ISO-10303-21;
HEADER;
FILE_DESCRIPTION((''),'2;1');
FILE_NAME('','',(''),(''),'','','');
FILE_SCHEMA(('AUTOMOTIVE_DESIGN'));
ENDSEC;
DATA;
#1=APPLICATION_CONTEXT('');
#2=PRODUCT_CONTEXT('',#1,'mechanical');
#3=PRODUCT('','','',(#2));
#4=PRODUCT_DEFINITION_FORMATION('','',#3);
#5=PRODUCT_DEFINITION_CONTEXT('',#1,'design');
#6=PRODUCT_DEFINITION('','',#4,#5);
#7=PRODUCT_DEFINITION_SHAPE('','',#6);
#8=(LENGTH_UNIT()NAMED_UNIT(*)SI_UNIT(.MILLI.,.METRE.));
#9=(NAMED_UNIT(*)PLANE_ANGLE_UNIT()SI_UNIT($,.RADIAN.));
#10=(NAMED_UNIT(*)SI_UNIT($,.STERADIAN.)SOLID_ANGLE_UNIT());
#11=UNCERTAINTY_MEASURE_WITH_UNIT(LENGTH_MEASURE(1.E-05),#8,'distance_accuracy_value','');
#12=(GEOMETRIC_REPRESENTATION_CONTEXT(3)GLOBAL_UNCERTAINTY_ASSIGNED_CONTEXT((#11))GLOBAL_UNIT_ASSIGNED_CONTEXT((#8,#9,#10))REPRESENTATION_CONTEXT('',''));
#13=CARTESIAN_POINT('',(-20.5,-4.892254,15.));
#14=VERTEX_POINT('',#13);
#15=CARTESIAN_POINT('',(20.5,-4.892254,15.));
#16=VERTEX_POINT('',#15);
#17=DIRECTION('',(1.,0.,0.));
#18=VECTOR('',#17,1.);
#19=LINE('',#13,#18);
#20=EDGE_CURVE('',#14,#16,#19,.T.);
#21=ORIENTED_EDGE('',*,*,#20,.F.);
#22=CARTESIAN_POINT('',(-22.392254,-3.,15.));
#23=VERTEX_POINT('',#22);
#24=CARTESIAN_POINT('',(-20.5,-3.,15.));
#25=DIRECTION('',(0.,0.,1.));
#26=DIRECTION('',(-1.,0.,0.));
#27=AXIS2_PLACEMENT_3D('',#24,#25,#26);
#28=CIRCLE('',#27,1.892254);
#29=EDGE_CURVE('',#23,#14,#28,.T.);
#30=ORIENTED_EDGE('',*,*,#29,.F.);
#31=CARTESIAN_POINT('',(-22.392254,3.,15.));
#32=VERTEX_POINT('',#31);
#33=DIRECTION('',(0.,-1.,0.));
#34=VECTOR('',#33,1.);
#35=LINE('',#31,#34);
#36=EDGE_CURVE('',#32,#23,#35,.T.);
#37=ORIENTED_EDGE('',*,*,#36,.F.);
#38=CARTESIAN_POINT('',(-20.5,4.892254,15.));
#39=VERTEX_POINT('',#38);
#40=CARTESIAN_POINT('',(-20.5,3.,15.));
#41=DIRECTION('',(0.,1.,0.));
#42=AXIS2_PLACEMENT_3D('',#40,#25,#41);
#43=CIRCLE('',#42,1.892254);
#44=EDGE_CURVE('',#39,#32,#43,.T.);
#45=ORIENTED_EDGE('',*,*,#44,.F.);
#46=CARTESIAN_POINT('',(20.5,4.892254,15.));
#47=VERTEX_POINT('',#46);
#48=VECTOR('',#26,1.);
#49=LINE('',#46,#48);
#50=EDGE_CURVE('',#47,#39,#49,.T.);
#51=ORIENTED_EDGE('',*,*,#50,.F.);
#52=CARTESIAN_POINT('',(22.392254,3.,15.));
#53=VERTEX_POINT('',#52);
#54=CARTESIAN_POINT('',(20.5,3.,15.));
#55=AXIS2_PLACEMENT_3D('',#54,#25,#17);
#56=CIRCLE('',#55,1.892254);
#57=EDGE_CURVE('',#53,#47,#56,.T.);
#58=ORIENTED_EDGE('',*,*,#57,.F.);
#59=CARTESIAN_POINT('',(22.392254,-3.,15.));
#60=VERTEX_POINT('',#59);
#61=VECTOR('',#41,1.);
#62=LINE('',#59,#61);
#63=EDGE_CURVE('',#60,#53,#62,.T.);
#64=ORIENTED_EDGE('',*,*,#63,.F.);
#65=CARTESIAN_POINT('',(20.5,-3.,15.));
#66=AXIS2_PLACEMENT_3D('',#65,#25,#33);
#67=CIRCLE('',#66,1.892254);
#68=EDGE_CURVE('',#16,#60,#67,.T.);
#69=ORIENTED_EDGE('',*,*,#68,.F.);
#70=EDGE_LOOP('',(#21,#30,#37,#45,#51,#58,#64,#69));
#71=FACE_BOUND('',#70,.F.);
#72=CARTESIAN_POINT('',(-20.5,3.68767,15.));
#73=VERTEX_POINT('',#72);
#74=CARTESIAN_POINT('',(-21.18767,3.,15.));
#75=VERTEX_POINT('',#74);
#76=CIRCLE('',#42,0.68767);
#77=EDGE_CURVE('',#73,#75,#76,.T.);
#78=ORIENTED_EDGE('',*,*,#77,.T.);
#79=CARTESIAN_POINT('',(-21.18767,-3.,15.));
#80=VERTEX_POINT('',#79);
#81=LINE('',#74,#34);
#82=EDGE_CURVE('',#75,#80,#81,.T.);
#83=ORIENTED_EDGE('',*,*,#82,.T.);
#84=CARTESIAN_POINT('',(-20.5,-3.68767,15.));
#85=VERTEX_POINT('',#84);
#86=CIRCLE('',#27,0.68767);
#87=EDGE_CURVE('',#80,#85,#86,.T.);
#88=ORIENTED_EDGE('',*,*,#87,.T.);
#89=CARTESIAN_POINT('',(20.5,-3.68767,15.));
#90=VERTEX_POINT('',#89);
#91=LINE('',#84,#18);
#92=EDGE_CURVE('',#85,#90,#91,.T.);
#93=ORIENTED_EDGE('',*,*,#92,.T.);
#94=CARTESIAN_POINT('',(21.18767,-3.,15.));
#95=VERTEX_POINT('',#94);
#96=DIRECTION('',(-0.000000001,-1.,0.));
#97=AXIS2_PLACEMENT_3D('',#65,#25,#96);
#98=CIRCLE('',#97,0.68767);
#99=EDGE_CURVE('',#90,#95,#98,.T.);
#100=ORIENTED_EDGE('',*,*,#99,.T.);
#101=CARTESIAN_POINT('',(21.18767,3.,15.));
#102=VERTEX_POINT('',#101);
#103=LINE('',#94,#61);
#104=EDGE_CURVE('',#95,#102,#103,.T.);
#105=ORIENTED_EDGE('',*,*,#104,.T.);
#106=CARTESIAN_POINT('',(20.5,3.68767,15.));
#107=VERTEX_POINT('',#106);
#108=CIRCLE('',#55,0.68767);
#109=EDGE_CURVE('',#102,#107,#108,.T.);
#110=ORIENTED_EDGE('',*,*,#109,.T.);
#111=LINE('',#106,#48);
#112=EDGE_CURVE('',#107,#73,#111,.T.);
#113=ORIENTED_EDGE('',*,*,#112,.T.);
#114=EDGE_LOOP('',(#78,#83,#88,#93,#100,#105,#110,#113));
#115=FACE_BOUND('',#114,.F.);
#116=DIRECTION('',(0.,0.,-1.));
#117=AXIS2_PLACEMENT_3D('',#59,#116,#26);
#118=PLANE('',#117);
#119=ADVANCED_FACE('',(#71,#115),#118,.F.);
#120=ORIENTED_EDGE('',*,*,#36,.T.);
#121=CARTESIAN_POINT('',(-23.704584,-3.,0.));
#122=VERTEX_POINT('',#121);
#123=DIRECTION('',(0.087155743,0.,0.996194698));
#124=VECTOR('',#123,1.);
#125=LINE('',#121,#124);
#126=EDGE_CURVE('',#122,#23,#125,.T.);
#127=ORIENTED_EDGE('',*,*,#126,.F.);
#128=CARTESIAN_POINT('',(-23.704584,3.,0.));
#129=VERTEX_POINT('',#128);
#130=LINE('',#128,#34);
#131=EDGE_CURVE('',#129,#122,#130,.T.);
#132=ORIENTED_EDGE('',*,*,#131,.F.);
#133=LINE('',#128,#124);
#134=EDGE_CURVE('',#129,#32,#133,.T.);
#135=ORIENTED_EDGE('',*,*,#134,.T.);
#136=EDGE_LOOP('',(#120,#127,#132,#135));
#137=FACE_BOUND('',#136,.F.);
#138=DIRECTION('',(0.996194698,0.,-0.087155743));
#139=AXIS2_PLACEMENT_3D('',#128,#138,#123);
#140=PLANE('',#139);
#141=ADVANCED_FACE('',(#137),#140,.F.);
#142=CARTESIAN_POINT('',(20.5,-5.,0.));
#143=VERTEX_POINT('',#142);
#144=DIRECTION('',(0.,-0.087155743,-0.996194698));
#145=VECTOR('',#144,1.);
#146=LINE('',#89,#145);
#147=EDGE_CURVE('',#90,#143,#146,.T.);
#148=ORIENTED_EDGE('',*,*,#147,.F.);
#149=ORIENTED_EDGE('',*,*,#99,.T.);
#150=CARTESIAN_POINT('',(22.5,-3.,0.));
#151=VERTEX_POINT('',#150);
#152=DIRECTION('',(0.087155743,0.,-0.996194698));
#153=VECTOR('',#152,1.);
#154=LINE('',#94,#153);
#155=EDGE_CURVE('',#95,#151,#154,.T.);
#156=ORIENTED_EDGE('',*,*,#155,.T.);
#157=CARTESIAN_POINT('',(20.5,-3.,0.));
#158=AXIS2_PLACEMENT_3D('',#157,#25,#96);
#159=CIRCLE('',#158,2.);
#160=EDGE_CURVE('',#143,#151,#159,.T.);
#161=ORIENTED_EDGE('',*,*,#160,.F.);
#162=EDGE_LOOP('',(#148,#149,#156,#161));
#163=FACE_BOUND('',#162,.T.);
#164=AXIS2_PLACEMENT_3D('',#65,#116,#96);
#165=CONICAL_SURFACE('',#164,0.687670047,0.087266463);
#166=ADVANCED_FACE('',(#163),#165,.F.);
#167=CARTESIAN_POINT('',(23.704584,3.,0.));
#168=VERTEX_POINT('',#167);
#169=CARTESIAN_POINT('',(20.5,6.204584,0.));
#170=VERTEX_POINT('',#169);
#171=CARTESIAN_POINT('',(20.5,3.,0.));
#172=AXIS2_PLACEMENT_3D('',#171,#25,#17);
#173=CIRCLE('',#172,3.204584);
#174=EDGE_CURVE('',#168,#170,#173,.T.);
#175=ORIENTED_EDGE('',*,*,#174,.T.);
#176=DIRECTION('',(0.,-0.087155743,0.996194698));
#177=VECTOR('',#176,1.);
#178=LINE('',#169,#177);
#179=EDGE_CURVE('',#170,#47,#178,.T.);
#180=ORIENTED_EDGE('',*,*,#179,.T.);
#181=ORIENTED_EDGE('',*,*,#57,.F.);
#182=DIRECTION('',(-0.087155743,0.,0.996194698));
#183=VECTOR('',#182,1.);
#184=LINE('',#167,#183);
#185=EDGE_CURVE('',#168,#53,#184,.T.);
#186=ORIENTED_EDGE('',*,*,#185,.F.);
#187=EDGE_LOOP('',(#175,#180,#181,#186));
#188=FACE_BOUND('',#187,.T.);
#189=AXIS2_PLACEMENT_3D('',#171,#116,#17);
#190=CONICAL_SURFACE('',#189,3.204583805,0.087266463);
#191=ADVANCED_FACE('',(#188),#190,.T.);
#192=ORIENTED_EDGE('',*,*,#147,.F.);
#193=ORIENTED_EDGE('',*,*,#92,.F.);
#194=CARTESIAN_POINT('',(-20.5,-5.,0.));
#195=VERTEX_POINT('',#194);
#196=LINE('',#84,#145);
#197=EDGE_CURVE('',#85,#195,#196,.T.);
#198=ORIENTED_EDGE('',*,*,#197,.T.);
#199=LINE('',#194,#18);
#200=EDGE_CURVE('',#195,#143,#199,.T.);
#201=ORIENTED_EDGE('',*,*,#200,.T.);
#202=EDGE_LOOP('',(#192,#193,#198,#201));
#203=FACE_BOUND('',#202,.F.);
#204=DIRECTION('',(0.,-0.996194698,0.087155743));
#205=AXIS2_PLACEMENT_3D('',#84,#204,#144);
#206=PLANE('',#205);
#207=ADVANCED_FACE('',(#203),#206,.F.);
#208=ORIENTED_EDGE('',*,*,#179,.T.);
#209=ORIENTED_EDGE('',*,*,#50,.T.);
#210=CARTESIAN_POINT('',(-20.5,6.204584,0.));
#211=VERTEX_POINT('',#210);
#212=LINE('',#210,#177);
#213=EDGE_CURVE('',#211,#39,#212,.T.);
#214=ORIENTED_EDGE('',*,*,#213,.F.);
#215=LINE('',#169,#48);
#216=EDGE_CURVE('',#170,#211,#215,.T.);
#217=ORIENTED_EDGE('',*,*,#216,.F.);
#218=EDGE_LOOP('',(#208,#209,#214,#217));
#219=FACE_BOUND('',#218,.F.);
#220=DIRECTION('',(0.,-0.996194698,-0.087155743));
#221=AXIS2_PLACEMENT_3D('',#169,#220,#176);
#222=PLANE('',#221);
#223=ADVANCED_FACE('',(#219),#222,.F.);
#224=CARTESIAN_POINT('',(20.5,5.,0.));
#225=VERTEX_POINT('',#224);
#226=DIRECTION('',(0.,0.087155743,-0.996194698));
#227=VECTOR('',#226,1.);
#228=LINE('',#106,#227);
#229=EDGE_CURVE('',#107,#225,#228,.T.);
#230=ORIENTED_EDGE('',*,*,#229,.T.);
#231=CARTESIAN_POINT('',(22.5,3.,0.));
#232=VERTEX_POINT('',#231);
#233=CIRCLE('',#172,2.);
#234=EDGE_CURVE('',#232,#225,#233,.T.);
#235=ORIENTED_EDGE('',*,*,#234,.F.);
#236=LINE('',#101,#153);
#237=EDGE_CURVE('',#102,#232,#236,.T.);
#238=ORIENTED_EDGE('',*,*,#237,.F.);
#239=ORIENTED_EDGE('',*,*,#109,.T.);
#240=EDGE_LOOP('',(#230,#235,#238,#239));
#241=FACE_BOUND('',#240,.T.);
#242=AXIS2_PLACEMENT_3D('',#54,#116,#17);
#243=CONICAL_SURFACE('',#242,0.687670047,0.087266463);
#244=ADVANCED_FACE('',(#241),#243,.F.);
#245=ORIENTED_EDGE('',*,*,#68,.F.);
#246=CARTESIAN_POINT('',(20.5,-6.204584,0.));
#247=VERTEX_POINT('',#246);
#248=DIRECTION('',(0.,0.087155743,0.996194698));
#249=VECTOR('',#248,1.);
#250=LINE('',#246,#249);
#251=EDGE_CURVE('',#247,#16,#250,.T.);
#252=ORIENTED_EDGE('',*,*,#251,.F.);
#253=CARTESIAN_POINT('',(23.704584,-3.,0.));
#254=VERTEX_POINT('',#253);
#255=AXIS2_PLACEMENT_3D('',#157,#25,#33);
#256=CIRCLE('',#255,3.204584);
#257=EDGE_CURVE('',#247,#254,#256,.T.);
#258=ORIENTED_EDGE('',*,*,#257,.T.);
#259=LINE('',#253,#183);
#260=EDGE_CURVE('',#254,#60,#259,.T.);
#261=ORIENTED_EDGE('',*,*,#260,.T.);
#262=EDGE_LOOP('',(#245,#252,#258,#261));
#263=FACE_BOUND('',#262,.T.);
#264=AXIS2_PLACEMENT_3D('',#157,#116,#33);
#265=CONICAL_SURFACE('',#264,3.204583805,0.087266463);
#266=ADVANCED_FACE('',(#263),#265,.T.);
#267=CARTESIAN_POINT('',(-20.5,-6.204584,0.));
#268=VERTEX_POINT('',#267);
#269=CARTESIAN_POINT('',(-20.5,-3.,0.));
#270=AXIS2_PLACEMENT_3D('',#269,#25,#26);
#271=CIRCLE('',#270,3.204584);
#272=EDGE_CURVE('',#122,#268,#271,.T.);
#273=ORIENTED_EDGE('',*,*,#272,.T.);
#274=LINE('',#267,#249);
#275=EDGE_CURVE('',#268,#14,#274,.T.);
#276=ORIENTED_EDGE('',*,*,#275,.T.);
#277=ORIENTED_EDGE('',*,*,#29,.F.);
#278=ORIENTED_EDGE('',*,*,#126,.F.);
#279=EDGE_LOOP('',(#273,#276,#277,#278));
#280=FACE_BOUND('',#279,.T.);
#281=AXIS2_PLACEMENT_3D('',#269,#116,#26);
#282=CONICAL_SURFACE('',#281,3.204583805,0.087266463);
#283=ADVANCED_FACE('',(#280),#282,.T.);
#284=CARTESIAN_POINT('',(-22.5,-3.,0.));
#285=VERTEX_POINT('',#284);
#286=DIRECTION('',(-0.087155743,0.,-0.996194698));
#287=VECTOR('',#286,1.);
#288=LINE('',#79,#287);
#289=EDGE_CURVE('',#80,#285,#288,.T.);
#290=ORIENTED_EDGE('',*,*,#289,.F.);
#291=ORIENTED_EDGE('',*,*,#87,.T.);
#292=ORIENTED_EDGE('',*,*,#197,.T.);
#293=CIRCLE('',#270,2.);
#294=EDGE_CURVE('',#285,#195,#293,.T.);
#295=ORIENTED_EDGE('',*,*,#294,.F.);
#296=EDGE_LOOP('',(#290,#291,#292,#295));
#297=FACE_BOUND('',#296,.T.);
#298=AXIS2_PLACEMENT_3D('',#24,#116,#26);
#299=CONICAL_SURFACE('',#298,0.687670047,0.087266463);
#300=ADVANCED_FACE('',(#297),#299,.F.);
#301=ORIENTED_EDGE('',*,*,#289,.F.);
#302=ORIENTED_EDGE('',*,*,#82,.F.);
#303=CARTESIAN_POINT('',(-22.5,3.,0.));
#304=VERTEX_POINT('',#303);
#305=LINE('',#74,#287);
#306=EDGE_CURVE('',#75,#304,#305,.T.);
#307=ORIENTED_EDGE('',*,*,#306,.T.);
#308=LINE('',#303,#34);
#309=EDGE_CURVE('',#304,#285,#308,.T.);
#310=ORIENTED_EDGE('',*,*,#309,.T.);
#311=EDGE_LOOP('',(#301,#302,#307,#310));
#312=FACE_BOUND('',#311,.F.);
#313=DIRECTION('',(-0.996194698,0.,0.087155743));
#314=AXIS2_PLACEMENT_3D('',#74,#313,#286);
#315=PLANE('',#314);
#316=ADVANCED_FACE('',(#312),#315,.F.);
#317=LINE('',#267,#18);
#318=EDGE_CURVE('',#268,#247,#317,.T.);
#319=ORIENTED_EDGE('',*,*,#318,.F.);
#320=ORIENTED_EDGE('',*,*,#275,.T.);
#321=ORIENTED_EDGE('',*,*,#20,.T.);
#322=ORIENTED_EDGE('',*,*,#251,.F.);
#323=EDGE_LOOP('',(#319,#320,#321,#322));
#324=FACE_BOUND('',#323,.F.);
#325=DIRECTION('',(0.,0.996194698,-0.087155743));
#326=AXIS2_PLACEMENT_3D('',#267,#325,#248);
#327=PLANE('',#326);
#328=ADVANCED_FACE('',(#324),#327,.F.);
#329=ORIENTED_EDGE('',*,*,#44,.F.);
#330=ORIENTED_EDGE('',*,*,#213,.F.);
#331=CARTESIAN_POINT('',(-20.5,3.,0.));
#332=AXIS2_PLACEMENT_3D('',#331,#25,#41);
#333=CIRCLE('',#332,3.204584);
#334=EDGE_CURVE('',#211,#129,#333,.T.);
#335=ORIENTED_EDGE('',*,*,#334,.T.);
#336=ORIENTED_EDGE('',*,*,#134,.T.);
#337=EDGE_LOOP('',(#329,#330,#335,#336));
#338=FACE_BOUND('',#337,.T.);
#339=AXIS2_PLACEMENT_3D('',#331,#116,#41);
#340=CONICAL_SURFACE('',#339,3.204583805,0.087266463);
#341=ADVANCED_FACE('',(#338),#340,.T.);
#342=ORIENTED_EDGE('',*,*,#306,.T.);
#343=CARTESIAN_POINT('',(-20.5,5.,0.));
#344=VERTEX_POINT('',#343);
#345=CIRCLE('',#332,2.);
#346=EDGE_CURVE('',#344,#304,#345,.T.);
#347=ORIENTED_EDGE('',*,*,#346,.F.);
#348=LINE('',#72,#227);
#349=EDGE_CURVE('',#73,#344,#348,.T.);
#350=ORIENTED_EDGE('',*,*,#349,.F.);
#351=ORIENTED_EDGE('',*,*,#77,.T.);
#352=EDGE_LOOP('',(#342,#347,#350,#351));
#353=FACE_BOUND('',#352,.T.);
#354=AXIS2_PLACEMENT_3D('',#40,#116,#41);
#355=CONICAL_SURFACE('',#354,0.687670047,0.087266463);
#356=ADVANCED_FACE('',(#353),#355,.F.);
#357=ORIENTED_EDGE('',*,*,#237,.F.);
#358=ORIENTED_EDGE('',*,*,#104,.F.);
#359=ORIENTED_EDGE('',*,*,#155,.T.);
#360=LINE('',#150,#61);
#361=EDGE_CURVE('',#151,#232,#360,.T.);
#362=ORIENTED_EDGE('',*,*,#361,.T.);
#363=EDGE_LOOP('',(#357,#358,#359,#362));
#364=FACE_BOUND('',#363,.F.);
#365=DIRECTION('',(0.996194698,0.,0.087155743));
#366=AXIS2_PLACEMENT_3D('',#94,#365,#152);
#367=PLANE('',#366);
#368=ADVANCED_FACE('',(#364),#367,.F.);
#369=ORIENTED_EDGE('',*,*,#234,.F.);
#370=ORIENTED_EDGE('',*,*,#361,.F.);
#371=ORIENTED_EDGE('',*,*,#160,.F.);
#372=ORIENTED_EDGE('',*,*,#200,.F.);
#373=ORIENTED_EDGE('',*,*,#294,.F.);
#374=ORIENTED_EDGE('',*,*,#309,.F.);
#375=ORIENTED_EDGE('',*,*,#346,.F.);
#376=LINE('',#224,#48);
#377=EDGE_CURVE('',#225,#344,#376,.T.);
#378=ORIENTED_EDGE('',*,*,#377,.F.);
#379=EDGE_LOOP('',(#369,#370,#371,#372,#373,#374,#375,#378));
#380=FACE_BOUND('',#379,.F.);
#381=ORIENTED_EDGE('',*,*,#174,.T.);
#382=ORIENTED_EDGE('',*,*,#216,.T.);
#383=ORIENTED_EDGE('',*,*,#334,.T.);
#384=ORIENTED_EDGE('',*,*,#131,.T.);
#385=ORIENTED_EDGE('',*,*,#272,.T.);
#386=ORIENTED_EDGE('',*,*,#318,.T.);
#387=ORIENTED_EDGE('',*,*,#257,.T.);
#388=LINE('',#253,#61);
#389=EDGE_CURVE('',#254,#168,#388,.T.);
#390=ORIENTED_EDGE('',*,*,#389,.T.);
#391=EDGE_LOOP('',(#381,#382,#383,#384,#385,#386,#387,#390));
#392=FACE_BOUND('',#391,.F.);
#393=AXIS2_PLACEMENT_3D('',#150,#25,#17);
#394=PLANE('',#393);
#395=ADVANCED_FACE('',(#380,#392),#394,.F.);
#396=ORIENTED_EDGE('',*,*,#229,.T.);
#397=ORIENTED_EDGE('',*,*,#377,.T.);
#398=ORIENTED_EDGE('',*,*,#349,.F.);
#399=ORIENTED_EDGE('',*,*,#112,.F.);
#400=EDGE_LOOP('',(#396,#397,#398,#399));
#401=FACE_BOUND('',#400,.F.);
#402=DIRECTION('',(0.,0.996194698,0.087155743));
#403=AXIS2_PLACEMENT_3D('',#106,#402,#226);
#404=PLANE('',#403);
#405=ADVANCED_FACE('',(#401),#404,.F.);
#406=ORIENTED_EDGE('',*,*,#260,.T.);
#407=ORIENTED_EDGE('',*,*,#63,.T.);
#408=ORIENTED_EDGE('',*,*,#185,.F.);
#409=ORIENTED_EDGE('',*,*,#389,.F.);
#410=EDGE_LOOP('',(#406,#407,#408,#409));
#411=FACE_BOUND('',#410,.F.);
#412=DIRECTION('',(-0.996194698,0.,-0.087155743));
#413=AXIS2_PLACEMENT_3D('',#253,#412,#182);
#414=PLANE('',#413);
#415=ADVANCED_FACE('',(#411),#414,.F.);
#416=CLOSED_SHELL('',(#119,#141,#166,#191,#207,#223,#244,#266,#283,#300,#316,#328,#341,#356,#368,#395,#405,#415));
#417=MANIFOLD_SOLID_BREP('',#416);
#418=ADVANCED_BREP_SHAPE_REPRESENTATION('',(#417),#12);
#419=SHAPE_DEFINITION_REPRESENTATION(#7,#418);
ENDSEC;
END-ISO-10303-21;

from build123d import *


with BuildPart() as f3:
    # F3: sweep along a path in F0
    with BuildLine(Plane.XY) as f3_path:
        Line((22.5, -3), (22.5, 3))
        ThreePointArc((22.5, 3), (21.9142135624, 4.4142135624), (20.5, 5))
        Line((20.5, 5), (-20.5, 5))
        ThreePointArc((-20.5, 5), (-21.9142135624, 4.4142135624), (-22.5, 3))
        Line((-22.5, 3), (-22.5, -3))
        ThreePointArc((-22.5, -3), (-21.9142135624, -4.4142135624), (-20.5, -5))
        Line((-20.5, -5), (20.5, -5))
        ThreePointArc((20.5, -5), (21.9142135624, -4.4142135624), (22.5, -3))
    # F2 (on plane+point) → F3 (sweep)
    with BuildSketch(Plane.XZ.offset(3)):
        Polygon((21.1876700471, 15), (22.5, 0), (23.7045838051, 0), (22.3922538522, 15), align=None)
    sweep(path=f3_path.line)


solid = f3.part
